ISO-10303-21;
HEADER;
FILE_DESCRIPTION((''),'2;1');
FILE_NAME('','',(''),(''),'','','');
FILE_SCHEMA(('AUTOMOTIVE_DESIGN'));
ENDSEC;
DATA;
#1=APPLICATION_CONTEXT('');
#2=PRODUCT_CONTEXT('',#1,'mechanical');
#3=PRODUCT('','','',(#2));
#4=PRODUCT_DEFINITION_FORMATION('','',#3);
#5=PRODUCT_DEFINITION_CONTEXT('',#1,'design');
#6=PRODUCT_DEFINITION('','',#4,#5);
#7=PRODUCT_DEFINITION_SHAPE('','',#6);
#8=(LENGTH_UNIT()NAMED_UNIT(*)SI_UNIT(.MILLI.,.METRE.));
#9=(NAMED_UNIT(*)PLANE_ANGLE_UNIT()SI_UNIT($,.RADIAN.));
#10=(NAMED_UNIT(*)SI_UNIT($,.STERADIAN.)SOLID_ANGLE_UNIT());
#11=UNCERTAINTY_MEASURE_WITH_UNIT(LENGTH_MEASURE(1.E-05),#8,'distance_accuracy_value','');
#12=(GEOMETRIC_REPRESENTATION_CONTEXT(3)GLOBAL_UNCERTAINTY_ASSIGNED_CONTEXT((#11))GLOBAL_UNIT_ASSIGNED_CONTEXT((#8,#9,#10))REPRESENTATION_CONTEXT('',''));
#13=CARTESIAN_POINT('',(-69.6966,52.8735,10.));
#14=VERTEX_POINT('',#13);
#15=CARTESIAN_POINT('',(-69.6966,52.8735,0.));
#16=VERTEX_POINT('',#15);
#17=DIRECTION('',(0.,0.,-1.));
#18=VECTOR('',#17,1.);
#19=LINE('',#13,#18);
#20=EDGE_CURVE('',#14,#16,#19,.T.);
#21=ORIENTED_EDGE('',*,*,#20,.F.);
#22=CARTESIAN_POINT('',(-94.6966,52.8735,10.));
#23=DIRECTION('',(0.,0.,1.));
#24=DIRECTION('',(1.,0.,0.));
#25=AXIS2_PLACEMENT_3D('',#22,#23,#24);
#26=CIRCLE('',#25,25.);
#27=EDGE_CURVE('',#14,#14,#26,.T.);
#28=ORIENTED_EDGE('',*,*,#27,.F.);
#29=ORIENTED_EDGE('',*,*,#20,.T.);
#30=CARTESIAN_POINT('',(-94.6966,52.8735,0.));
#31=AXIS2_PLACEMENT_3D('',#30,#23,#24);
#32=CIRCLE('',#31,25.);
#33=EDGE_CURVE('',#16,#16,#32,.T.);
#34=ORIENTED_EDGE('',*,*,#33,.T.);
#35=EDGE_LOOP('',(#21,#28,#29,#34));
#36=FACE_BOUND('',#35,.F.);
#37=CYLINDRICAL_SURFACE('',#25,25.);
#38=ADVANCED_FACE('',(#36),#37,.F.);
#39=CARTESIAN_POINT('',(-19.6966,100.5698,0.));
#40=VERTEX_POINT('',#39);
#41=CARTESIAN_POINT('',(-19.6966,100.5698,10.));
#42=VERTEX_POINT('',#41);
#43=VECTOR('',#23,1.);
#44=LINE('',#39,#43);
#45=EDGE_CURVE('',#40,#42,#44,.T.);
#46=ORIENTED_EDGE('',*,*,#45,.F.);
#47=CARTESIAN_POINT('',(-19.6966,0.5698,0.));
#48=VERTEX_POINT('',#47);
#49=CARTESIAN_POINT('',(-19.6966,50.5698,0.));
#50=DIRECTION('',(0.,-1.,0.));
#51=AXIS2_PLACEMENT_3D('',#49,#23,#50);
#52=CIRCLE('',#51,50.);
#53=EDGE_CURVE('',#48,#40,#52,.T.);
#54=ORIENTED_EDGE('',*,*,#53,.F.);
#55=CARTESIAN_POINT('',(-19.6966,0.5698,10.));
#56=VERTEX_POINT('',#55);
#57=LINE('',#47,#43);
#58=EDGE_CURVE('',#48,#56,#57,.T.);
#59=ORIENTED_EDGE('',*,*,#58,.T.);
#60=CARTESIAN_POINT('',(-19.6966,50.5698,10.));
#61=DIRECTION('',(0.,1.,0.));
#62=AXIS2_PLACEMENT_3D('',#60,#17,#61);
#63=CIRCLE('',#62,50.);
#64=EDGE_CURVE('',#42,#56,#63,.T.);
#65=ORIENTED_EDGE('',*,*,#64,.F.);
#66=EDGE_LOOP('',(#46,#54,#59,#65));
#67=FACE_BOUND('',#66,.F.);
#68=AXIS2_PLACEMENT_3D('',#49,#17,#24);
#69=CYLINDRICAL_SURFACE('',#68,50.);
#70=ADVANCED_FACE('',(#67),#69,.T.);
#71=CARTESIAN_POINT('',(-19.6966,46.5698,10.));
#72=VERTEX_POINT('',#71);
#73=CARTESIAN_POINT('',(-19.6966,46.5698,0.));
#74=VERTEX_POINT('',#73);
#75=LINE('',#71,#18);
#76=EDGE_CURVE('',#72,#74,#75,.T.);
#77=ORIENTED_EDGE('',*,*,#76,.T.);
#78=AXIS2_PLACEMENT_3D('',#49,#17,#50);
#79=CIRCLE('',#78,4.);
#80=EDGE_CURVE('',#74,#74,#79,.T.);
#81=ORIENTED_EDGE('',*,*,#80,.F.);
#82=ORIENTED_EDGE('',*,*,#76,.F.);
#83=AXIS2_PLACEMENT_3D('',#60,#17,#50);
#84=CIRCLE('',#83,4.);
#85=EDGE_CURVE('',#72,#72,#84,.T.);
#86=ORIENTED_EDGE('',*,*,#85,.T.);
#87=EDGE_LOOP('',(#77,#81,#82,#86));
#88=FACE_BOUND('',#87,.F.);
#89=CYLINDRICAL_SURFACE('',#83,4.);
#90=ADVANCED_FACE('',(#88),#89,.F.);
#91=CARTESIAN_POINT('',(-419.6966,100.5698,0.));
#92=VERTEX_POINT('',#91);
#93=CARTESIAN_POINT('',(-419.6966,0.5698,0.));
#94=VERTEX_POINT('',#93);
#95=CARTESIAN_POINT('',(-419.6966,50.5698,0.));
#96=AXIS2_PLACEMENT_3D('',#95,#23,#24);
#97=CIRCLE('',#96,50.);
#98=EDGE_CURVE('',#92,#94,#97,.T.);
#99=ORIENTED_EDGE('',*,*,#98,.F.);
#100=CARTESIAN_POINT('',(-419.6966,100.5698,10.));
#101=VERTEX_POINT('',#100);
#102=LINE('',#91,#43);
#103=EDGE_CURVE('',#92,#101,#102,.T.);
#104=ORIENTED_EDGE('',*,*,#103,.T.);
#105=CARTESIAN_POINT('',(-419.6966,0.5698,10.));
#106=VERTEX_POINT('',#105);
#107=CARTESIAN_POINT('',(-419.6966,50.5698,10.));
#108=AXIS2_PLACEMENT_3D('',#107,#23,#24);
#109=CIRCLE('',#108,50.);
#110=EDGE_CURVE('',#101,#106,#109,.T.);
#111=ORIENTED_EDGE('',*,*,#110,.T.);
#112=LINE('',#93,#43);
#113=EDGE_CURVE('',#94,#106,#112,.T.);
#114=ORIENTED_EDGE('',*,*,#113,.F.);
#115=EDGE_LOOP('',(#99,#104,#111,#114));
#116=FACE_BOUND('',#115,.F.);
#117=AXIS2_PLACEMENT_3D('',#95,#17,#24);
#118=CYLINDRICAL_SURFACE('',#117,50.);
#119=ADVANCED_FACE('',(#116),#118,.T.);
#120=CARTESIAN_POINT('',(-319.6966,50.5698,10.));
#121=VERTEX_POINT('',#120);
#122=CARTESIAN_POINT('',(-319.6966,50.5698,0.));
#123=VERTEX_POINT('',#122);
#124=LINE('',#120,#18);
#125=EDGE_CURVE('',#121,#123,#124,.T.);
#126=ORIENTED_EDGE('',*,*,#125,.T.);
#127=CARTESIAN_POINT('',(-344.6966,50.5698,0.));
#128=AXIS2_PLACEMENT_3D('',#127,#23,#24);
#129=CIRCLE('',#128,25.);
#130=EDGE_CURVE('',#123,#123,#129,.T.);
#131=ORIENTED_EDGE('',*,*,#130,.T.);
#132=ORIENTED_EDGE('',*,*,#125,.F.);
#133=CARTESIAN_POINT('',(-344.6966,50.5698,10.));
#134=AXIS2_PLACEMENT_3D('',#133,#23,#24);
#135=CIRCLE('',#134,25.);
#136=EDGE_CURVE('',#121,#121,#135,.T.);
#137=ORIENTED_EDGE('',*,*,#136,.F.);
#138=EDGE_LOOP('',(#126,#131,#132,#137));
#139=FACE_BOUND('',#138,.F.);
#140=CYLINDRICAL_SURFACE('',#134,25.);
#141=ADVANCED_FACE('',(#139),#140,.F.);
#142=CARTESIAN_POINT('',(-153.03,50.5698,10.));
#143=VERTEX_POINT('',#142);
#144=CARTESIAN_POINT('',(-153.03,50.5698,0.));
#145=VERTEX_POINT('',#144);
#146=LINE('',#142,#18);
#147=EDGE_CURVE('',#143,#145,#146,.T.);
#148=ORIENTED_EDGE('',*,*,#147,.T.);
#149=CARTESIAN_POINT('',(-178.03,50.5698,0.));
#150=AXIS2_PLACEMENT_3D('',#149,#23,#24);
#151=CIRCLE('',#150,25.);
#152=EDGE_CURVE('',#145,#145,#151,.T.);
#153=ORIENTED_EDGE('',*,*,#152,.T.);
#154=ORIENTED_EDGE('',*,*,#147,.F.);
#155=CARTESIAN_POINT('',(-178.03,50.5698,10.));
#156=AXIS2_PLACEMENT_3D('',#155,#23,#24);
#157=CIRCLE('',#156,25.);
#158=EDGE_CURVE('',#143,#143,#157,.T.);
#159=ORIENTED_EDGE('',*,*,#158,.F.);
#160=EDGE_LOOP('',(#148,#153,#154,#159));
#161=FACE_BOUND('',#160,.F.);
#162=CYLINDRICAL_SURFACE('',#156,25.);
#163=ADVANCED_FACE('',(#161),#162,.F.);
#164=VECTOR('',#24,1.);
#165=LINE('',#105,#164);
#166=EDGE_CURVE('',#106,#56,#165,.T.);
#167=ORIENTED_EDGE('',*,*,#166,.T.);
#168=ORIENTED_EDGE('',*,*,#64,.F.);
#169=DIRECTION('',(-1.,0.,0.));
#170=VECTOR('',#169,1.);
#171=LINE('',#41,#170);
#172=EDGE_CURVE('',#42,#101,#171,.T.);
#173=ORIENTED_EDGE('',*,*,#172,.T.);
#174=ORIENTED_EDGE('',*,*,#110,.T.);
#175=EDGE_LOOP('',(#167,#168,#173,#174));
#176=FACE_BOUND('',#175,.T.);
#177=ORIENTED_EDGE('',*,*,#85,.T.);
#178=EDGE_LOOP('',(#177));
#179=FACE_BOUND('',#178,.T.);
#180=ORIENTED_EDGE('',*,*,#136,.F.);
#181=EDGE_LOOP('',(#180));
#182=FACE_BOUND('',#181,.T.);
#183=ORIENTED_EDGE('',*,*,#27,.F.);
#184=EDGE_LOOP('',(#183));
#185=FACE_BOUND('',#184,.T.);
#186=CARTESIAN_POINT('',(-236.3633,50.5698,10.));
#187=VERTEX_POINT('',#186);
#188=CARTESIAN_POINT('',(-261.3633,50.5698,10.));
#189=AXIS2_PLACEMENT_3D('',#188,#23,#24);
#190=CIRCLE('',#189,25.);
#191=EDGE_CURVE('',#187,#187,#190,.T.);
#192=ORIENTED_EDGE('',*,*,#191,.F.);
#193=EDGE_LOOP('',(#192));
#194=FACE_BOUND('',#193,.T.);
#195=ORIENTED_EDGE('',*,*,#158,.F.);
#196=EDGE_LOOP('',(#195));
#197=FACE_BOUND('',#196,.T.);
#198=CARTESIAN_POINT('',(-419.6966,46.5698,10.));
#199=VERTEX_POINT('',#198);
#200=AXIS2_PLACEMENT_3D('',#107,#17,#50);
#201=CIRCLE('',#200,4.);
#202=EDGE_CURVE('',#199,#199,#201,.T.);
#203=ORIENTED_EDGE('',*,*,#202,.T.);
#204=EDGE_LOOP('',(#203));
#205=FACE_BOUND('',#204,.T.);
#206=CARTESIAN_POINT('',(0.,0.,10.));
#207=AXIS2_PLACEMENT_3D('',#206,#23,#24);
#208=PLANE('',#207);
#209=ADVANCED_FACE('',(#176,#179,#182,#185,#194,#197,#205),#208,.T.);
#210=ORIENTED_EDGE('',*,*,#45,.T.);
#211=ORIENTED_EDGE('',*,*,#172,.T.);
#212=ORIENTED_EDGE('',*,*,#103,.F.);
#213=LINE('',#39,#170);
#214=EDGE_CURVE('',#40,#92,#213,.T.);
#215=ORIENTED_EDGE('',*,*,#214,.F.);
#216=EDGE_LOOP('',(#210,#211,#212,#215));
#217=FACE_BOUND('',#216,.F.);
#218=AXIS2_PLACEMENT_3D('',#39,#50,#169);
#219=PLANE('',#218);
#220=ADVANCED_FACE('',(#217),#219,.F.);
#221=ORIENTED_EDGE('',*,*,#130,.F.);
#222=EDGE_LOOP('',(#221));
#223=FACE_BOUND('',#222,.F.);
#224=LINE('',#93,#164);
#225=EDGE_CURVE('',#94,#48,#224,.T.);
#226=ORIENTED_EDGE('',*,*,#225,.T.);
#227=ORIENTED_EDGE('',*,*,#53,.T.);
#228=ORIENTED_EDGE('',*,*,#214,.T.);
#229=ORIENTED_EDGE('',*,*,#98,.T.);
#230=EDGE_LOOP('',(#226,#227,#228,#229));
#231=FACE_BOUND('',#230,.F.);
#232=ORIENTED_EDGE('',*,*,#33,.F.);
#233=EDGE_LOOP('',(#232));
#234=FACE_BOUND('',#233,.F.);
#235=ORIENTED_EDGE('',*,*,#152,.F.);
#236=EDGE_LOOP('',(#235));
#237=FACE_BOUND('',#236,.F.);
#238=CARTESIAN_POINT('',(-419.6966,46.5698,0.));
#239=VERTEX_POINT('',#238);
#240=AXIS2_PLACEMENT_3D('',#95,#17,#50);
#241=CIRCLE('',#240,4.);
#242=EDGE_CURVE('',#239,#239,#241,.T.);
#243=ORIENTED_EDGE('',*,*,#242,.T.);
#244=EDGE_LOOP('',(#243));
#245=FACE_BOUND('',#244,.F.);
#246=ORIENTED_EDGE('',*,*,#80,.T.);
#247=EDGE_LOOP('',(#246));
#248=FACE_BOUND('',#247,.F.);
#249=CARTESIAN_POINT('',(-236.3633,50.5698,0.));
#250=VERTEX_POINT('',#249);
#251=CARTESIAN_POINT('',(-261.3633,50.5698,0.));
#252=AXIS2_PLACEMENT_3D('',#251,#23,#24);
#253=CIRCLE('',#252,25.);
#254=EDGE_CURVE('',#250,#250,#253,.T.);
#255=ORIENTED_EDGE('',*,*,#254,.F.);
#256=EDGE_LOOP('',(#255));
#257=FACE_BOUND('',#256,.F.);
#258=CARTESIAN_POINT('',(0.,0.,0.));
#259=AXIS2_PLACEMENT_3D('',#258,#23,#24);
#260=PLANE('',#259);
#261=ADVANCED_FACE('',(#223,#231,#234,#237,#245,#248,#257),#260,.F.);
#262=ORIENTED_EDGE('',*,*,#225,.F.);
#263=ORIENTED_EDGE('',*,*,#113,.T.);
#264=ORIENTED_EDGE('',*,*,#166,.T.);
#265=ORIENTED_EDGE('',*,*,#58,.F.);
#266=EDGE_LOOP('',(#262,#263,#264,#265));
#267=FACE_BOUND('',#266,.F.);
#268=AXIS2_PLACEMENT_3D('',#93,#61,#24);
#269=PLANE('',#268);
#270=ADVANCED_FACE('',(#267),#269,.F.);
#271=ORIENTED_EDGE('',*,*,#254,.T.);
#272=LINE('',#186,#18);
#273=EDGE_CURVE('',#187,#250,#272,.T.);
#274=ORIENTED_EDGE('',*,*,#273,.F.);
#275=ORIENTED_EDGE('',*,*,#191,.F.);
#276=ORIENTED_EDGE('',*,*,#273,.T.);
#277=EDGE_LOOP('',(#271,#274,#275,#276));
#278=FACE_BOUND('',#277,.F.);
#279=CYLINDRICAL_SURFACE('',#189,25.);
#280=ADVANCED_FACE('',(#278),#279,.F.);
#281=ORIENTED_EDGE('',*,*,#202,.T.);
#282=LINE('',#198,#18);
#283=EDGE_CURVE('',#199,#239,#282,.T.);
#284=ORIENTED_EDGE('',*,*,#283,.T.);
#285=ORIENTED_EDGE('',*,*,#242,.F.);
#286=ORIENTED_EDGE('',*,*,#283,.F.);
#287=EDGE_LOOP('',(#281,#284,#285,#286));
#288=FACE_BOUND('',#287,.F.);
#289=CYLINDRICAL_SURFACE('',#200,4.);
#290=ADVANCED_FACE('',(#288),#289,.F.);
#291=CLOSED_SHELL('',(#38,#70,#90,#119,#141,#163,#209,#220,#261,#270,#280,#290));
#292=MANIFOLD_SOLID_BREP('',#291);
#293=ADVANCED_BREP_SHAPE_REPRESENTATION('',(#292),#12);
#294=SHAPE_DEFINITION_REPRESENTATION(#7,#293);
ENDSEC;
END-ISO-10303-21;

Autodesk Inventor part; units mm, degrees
ref_plane "YZ Plane" through (0, 0, 0) normal (1, 0, 0) x (0, 1, 0)
ref_plane "XZ Plane" through (0, 0, 0) normal (0, 1, 0) x (-1, 0, 0)
ref_plane "XY Plane" through (0, 0, 0) normal (0, 0, 1) x (1, 0, 0)
sketch "Sketch1" plane through (0, 0, 0) normal (0, 0, 1) x (1, 0, 0)
  line L0 (-419.6966, 0.5698) -> (-19.6966, 0.5698)
  line L1 (-19.6966, 0.5698) -> (-19.6966, 100.5698)
  line L2 (-19.6966, 100.5698) -> (-419.6966, 100.5698)
  line L3 (-419.6966, 100.5698) -> (-419.6966, 0.5698)
  circle A0 centre (-419.6966, 50.5698) radius 50
  circle A1 centre (-19.6966, 50.5698) radius 50
  dimension "d12" = 400
  dimension "d13" = 100
  dimension "d14" = 100
  dimension "d15" = 100
extrude "Extrusion1" add sketch "Sketch1" along normal blind 10
sketch "Sketch2" plane through (0, 0, 10) normal (0, 0, 1) x (1, 0, 0)
  arc A0 (-419.6966, 100.5698) -> (-419.6966, 0.5698) centre (-419.6966, 50.5698) ccw projected
  arc A1 (-19.6966, 0.5698) -> (-19.6966, 100.5698) centre (-19.6966, 50.5698) ccw projected
  point P0 (0, 0)
hole "Hole1" at (-419.6966, 50.5698, 10) at (-19.6966, 50.5698, 10) direction (0, 0, -1) diameter 8 end through all
sketch "Sketch3" plane through (0, 0, 10) normal (0, 0, 1) x (1, 0, 0)
  circle A0 centre (-19.6966, 50.5698) radius 4 projected
  circle A1 centre (-419.6966, 50.5698) radius 4 projected
  line L0 (-19.6966, 0.5698) -> (-419.6966, 0.5698) projected
  circle A2 centre (-344.6966, 50.5698) radius 25
  circle A3 centre (-261.3633, 50.5698) radius 25
  circle A4 centre (-178.03, 50.5698) radius 25
  circle A5 centre (-94.6966, 52.8735) radius 25
  point P0 (0, 0)
  dimension "d16" = 50
  dimension "d17" = 50
  dimension "d18" = 50
  dimension "d19" = 50
  dimension "d20" = 83.3333
  dimension "d21" = 83.3333
  dimension "d22" = 83.3333
  dimension "d23" = 50
  dimension "d24" = 75
  dimension "d25" = 400
extrude "Extrusion2" cut sketch "Sketch3" against normal through all contours A2 | A3 | A4 | A5
equation "\"d14\" = d13"
equation "\"d15\" = d13"
equation "\"d17\" = d16"
equation "\"d18\" = d16"
equation "\"d19\" = d16"
equation "\"d20\" = -0.666667 * d24 + 0.333333 * d25"
equation "\"d21\" = d20"
equation "\"d22\" = d20"
properties part number "outer drive side"
